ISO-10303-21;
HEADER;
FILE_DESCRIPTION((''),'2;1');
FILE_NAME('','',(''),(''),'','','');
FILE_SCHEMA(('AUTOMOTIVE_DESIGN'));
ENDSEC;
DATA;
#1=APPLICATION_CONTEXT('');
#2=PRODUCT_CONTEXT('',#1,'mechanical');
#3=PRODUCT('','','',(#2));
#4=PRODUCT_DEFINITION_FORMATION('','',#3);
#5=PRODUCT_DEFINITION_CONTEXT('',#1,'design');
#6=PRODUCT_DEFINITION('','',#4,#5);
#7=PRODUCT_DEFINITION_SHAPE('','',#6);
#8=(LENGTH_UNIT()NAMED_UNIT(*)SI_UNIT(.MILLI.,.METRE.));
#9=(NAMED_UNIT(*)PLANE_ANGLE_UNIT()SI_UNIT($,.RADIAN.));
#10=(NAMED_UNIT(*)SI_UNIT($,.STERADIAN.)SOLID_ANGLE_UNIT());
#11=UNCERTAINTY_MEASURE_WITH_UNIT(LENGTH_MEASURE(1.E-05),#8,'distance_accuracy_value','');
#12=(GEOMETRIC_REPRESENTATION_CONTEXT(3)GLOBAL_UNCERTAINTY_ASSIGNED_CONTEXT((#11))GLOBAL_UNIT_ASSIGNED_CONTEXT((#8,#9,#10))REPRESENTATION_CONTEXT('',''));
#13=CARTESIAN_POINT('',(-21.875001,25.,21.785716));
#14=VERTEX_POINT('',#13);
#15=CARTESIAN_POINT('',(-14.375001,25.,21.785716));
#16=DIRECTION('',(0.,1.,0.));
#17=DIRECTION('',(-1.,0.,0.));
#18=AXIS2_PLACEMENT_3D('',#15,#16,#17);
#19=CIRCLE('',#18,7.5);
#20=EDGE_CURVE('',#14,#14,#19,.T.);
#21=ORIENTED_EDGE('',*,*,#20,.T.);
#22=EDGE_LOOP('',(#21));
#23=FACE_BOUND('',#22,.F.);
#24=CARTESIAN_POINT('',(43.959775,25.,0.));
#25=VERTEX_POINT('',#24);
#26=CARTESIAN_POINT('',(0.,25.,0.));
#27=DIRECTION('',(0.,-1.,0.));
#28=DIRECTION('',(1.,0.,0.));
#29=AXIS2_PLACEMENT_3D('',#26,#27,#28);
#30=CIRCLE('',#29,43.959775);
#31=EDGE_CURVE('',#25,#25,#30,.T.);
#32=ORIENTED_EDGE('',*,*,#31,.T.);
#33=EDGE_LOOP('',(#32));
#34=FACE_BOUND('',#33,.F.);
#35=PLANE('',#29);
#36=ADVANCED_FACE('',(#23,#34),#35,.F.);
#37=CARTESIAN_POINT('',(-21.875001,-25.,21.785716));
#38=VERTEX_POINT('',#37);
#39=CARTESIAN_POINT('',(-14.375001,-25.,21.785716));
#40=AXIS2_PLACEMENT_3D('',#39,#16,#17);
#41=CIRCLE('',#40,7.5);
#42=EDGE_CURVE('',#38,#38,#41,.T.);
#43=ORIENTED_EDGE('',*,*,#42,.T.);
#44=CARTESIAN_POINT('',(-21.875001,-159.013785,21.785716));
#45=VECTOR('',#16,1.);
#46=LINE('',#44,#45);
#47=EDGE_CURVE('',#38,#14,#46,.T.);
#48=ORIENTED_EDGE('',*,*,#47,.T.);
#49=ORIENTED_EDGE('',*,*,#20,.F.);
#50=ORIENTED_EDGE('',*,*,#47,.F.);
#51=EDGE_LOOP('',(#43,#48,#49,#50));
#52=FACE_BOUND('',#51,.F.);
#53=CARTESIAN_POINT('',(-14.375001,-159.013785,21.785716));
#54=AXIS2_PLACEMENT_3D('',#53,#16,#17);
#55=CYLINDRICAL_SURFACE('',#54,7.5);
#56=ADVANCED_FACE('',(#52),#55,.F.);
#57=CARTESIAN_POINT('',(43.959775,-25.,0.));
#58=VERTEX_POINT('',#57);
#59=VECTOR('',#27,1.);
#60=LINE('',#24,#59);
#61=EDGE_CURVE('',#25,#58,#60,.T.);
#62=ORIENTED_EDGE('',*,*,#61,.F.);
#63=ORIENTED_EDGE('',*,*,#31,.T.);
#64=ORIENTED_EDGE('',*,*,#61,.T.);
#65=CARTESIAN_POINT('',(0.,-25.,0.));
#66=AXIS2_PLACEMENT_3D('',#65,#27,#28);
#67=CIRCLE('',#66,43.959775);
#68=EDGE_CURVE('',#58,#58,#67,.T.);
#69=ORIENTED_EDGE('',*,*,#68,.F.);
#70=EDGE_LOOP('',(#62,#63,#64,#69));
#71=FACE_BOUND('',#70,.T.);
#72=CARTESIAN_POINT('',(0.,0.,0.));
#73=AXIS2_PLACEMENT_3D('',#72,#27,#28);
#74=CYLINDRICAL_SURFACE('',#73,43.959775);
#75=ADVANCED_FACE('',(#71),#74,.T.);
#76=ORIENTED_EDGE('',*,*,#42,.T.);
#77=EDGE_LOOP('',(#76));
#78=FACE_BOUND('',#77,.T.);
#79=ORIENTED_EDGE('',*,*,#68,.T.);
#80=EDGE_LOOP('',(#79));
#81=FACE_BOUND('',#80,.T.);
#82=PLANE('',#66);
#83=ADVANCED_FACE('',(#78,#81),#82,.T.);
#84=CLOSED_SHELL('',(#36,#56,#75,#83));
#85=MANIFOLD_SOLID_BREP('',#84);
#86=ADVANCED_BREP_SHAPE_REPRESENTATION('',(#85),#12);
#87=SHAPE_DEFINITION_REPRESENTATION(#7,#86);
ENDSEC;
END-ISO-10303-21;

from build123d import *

# Parameters (mm, degrees)
F0_R     = 43.959775
F1_DEPTH = 25
F3_D     = 15


with BuildPart() as f1:
    # F0 (on Front) → F1 (new body, symmetric)
    with BuildSketch(Plane.XZ):
        Circle(F0_R)
    extrude(amount=F1_DEPTH, both=True)

    # F3 (through all)
    with Locations(Plane.XZ.offset(25)):
        with Locations((-14.375001, 21.785716)):
            Hole(F3_D / 2)


solid = f1.part
